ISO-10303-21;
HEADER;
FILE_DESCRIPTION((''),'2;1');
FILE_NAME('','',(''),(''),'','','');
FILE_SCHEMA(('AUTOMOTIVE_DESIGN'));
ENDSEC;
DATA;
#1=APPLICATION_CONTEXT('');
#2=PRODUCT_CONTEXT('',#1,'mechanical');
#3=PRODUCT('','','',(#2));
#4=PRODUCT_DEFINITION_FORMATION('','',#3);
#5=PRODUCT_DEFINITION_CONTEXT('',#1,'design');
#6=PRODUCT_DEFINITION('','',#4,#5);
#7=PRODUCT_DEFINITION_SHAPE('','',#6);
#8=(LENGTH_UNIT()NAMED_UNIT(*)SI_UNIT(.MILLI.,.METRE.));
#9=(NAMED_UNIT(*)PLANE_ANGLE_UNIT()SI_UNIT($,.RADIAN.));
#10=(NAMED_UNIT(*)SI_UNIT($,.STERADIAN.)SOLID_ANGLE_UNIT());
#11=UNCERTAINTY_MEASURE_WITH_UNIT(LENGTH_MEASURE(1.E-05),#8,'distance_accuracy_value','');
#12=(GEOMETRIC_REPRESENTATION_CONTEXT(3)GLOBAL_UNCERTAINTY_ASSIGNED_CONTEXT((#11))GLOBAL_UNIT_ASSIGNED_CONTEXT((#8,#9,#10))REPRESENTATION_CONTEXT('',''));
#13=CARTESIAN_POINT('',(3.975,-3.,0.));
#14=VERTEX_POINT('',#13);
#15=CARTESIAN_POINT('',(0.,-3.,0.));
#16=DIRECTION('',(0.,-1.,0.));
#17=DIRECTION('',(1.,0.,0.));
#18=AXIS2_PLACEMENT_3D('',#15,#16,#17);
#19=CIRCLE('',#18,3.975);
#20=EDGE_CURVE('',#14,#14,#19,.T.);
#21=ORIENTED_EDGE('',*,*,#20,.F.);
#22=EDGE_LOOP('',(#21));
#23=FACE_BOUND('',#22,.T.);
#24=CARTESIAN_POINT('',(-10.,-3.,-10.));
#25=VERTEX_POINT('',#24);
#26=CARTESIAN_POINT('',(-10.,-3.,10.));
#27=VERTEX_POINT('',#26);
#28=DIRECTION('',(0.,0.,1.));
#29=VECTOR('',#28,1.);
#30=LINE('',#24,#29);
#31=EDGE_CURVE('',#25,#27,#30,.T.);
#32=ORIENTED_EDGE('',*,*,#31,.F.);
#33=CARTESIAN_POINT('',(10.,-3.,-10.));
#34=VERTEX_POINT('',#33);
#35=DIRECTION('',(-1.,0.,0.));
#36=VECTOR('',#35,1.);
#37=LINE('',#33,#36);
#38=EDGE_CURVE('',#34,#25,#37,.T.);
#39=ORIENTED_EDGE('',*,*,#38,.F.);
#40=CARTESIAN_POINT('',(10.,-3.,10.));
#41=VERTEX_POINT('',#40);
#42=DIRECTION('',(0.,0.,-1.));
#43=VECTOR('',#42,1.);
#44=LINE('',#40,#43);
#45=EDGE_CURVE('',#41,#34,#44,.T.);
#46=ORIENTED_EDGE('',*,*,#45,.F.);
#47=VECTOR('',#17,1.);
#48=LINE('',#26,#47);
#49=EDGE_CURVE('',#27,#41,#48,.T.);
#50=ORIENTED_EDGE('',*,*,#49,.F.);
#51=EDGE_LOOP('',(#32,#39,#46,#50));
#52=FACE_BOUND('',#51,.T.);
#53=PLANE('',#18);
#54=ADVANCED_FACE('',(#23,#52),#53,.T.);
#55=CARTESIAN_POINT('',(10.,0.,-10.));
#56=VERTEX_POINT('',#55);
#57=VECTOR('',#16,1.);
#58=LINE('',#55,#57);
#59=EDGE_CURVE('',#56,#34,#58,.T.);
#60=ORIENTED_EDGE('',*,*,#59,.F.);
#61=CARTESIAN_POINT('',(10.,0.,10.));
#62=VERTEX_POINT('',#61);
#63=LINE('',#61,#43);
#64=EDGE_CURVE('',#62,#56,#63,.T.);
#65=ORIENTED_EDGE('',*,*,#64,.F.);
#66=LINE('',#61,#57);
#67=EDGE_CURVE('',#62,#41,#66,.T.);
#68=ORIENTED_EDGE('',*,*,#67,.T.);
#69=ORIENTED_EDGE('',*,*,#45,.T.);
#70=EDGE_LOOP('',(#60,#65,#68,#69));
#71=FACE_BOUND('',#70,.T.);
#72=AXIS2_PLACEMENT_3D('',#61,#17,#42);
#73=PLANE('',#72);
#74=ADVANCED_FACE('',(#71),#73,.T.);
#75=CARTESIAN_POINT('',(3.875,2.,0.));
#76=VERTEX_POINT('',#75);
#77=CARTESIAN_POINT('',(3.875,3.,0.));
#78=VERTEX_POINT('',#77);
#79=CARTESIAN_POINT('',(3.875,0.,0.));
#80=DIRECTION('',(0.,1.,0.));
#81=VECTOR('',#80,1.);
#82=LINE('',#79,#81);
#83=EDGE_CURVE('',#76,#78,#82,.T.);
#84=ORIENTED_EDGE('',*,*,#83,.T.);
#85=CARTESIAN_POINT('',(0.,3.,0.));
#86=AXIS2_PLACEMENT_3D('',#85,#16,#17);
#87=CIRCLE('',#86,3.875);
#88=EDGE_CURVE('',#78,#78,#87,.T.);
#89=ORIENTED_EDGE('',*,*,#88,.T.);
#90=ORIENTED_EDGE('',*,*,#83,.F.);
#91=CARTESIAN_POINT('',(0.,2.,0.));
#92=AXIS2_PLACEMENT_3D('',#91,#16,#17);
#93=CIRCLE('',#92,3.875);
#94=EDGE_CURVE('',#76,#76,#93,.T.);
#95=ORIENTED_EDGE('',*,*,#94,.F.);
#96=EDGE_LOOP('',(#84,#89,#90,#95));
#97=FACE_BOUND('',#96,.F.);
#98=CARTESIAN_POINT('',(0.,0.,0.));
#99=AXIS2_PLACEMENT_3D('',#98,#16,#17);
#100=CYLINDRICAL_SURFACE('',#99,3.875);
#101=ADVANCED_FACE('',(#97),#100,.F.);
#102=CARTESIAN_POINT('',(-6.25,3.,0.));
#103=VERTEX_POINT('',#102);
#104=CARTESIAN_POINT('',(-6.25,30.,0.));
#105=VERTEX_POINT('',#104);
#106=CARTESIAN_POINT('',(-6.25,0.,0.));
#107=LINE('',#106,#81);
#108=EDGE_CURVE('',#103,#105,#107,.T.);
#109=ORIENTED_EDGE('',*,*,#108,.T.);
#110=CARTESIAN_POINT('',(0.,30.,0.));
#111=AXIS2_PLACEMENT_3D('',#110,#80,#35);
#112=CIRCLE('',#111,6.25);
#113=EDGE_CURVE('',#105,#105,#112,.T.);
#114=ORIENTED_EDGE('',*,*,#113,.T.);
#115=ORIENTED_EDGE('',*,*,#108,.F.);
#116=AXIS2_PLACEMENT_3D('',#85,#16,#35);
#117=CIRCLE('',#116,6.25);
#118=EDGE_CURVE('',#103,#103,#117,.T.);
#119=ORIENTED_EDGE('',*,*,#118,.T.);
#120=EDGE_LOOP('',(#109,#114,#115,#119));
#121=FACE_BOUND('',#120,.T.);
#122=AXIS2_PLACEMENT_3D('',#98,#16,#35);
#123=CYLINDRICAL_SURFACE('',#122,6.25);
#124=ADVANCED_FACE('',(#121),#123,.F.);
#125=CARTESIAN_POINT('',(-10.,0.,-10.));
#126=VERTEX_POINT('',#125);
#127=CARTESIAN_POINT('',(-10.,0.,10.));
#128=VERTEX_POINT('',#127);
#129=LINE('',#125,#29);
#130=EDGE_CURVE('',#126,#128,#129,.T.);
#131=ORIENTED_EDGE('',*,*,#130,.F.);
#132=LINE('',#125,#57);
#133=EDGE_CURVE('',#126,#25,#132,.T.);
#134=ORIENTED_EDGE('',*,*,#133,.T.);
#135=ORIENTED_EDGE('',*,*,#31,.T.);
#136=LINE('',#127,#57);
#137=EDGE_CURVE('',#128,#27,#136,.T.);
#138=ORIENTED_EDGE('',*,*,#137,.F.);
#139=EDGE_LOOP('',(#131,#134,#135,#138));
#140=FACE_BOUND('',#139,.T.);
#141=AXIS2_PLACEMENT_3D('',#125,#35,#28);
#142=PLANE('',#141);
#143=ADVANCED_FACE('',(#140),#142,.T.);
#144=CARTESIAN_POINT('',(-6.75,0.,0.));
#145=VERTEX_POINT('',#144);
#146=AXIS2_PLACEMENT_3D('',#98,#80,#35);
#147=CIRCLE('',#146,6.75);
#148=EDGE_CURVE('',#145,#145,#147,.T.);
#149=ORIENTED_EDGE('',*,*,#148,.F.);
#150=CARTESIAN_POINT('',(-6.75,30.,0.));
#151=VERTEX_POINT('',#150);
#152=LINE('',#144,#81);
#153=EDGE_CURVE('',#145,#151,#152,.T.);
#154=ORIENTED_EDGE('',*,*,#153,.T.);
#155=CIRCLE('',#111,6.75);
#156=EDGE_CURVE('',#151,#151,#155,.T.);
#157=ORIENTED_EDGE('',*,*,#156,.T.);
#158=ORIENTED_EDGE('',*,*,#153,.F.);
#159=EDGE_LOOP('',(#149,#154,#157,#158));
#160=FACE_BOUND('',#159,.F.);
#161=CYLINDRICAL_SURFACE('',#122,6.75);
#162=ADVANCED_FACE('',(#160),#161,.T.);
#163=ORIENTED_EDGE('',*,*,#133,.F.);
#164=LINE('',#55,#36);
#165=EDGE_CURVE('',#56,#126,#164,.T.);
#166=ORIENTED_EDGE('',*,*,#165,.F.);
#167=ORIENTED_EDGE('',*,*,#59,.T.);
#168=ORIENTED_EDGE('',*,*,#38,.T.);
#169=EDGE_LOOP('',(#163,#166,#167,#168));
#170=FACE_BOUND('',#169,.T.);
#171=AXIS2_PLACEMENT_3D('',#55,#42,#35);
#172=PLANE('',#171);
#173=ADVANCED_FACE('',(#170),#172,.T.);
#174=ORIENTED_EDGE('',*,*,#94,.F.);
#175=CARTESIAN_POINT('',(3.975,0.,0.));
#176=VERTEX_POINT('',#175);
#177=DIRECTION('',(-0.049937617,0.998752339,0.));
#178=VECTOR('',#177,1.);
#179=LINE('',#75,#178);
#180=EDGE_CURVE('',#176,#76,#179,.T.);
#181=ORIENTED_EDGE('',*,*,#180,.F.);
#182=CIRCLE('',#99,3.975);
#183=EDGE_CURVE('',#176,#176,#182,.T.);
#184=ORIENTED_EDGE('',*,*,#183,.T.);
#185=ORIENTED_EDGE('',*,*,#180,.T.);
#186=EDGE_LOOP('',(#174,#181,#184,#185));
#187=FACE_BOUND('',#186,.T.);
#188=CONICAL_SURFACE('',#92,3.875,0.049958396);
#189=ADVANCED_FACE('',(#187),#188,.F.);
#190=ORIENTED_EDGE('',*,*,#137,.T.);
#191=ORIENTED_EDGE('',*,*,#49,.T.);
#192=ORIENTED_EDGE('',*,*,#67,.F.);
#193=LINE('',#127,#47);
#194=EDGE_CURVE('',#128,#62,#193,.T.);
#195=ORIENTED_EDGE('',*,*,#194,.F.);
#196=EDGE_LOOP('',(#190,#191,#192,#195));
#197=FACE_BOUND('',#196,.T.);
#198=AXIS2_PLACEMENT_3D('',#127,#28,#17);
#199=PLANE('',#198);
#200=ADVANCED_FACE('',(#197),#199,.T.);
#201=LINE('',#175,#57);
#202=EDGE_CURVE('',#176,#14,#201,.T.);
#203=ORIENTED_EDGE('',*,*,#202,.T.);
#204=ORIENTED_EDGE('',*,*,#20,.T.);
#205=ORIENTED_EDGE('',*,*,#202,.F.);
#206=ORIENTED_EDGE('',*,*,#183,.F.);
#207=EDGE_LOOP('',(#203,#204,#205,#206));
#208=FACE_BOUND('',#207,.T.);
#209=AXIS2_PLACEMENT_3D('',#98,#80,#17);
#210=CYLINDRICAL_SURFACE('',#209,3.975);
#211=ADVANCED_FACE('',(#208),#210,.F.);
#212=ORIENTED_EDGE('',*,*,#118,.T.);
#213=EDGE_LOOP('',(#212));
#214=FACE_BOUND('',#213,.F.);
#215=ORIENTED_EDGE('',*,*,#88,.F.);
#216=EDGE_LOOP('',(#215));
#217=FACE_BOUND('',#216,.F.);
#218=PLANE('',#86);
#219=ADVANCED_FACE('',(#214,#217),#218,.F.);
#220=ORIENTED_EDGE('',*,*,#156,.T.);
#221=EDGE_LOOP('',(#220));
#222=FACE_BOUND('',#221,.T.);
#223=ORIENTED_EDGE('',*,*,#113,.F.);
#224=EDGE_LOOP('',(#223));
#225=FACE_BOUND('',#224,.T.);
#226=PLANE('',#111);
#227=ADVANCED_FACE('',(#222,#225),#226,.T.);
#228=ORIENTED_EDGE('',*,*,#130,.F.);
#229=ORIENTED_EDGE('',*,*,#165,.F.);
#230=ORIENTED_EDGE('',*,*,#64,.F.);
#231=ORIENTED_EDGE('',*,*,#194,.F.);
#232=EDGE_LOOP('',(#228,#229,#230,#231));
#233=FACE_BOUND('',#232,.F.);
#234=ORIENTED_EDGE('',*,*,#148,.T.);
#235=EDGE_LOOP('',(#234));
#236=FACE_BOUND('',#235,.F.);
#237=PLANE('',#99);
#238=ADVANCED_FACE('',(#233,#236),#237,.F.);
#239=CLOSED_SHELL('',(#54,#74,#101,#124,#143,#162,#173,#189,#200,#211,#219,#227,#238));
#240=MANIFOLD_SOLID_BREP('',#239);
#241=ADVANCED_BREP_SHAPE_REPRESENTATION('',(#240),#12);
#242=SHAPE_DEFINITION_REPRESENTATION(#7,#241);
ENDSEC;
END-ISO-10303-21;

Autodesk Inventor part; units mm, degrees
ref_plane "YZ Plane" through (0, 0, 0) normal (1, 0, 0) x (0, 1, 0)
ref_plane "XZ Plane" through (0, 0, 0) normal (0, 1, 0) x (-1, 0, 0)
ref_plane "XY Plane" through (0, 0, 0) normal (0, 0, 1) x (1, 0, 0)
sketch "Sketch1" plane through (0, 0, 0) normal (0, 1, 0) x (-1, 0, 0)
  circle A0 centre (0, 0) radius 6.75
  circle A1 centre (0, 0) radius 6.25
  dimension "d0" = 13.5
  dimension "d1" = 12.5
extrude "Extrusion1" add sketch "Sketch1" along normal blind 30
sketch "Sketch8" plane through (0, 0, 0) normal (0, -1, 0) x (1, 0, 0)
  circle A0 centre (0, 0) radius 6.25 projected
  circle A1 centre (0, 0) radius 3.875
  dimension "d32" = 7.75
extrude "Extrusion8" add sketch "Sketch8" against normal blind 3
chamfer "Chamfer2" distance 0.1 distance2 2 1 edges at (-3.875, 0, 0) measured on face at (-5.6888, 0, -0.8476)
sketch "Sketch9" plane through (0, 0, 0) normal (0, -1, 0) x (1, 0, 0)
  circle A0 centre (0, 0) radius 3.975
  line L0 (10, -10) -> (-10, -10)
  line L1 (-10, -10) -> (-10, 10)
  line L2 (-10, 10) -> (10, 10)
  line L3 (10, 10) -> (10, -10)
  line L4 (10, -10) -> (-10, 10) construction
  line L5 (-10, -10) -> (10, 10) construction
  dimension "d38" = 20
  dimension "d39" = 20
extrude "Extrusion9" add sketch "Sketch9" along normal blind 3
ref_plane "Work Plane1" through (0, -3, 10) normal (1, 0, 0) x (0, 0, -1)
properties part number "MOULD"
